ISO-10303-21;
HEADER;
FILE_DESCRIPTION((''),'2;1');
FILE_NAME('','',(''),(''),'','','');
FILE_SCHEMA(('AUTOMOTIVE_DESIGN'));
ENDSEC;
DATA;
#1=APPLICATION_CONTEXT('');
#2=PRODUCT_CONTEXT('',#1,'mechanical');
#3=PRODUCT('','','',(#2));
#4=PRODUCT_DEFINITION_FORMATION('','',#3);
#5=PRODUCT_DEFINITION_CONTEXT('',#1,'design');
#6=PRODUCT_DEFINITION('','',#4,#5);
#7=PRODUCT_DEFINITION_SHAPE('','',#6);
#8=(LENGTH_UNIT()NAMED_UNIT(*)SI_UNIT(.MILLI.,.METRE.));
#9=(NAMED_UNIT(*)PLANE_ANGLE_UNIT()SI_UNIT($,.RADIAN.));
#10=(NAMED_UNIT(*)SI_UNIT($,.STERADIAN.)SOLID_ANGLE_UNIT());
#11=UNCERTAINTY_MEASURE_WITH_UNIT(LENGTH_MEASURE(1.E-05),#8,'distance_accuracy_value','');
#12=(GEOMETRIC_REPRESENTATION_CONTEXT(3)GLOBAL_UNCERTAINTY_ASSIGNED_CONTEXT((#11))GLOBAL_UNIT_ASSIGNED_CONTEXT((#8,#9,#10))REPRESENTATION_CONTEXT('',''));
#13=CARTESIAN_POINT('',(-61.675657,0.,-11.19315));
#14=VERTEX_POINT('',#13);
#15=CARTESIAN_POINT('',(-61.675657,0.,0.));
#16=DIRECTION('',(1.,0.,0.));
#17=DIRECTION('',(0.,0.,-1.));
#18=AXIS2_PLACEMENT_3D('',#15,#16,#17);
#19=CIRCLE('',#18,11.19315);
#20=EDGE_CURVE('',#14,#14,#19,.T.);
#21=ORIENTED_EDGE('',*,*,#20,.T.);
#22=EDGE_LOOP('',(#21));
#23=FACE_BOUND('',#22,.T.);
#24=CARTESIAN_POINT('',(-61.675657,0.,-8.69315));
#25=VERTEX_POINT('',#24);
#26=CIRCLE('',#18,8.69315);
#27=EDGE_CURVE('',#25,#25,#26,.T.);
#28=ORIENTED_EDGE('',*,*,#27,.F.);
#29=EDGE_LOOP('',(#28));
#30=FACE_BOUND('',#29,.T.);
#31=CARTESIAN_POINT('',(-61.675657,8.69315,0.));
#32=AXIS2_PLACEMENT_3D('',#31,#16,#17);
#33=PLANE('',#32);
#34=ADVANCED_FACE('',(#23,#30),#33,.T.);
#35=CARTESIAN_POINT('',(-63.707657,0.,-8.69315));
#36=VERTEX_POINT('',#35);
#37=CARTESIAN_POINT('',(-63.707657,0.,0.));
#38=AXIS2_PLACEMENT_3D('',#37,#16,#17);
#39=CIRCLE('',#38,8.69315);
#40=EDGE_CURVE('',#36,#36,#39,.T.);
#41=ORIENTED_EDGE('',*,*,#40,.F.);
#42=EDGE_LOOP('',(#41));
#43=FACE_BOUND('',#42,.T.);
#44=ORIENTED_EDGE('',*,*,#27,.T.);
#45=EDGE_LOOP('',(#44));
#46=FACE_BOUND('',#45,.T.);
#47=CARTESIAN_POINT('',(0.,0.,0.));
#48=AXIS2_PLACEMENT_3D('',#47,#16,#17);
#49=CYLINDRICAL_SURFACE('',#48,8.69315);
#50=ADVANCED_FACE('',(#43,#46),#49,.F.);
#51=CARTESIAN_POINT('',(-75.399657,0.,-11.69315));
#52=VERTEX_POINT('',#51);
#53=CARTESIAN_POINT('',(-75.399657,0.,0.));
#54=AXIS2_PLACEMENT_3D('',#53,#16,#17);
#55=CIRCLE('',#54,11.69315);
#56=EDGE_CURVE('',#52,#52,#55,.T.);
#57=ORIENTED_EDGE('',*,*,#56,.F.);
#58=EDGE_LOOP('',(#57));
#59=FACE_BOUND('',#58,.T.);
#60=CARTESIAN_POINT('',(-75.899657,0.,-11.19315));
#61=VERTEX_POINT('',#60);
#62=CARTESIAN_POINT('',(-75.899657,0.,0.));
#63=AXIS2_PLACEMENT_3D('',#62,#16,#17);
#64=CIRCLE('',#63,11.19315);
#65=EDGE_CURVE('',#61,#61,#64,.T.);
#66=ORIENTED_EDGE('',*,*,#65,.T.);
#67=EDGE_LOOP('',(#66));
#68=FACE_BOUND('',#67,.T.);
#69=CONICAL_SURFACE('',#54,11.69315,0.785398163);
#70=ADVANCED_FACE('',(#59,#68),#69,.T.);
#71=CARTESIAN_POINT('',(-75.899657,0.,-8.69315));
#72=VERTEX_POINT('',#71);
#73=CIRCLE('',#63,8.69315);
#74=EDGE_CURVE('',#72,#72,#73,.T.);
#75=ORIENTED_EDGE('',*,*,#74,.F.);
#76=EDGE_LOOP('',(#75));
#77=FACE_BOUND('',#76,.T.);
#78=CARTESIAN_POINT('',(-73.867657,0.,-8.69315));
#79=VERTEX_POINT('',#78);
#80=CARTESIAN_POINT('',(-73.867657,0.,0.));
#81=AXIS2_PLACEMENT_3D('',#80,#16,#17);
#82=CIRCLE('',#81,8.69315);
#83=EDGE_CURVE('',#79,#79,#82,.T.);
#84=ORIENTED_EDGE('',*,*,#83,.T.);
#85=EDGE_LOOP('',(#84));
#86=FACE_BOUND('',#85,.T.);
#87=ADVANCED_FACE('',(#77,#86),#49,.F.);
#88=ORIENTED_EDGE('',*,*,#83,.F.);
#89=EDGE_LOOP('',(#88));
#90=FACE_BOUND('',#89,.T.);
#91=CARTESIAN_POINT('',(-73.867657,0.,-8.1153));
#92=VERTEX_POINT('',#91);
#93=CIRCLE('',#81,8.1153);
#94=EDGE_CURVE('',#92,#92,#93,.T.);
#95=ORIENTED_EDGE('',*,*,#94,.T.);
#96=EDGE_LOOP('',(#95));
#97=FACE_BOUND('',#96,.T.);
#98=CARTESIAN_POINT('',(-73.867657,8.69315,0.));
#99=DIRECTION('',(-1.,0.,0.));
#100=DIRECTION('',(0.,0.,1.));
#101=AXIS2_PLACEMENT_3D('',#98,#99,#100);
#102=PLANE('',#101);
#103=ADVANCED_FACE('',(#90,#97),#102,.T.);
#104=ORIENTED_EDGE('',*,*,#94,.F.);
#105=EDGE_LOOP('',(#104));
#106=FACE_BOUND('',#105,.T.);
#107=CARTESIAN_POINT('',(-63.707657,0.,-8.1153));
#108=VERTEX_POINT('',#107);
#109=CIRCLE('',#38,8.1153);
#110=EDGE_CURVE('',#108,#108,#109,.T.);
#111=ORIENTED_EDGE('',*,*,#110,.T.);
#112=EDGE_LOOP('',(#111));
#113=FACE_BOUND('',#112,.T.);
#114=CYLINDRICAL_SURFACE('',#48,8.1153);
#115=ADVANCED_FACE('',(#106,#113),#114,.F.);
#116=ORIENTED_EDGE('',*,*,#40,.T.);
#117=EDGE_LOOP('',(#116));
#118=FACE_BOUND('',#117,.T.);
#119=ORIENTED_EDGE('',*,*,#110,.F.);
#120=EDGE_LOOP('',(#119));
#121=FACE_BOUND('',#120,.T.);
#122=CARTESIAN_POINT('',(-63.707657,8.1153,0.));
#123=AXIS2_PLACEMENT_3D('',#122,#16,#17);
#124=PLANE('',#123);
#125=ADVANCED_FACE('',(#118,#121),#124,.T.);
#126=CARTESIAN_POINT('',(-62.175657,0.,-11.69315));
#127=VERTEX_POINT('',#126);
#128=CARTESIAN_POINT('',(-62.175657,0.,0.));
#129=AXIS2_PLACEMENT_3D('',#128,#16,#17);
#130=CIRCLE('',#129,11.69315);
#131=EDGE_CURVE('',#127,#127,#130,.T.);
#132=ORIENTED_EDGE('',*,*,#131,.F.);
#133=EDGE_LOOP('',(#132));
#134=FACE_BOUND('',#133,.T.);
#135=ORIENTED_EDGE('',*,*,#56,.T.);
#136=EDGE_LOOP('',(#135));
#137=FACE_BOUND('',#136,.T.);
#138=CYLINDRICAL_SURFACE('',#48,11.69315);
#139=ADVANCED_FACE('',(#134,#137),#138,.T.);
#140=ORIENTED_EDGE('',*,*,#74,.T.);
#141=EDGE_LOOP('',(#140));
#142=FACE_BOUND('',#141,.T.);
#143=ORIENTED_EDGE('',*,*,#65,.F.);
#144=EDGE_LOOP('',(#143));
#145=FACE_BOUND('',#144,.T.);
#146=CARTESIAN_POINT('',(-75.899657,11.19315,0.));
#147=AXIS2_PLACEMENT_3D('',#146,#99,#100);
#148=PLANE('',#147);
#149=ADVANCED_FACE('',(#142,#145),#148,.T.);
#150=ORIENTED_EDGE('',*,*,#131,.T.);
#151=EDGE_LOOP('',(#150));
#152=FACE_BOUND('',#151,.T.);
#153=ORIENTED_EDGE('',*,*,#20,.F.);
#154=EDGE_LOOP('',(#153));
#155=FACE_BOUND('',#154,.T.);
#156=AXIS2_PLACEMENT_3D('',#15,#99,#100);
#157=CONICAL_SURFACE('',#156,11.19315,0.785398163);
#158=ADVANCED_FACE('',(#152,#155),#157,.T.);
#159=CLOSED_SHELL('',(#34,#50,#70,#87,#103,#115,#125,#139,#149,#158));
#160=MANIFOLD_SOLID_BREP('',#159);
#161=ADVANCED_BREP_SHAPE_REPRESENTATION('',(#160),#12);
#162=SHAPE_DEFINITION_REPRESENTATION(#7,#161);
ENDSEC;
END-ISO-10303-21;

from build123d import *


with BuildPart() as part:
    # Sketch1 → Revolve1 (revolve)
    with BuildSketch(Plane.XY, mode=Mode.PRIVATE) as revolve1_sk:
        Polygon((-75.899656867, 8.69315), (-73.867656867, 8.69315), (-73.867656867, 8.1153), (-63.707656867, 8.1153), (-63.707656867, 8.69315), (-61.675656867, 8.69315), (-61.675656867, 11.19315), (-62.175656867, 11.69315), (-75.399656867, 11.69315), (-75.899656867, 11.19315), align=None)
    revolve(revolve1_sk.sketch.rotate(Axis((0, 0, 0), (-1, 0, 0)), 90), axis=Axis((0, 0, 0), (-1, 0, 0)))


solid = part.part
